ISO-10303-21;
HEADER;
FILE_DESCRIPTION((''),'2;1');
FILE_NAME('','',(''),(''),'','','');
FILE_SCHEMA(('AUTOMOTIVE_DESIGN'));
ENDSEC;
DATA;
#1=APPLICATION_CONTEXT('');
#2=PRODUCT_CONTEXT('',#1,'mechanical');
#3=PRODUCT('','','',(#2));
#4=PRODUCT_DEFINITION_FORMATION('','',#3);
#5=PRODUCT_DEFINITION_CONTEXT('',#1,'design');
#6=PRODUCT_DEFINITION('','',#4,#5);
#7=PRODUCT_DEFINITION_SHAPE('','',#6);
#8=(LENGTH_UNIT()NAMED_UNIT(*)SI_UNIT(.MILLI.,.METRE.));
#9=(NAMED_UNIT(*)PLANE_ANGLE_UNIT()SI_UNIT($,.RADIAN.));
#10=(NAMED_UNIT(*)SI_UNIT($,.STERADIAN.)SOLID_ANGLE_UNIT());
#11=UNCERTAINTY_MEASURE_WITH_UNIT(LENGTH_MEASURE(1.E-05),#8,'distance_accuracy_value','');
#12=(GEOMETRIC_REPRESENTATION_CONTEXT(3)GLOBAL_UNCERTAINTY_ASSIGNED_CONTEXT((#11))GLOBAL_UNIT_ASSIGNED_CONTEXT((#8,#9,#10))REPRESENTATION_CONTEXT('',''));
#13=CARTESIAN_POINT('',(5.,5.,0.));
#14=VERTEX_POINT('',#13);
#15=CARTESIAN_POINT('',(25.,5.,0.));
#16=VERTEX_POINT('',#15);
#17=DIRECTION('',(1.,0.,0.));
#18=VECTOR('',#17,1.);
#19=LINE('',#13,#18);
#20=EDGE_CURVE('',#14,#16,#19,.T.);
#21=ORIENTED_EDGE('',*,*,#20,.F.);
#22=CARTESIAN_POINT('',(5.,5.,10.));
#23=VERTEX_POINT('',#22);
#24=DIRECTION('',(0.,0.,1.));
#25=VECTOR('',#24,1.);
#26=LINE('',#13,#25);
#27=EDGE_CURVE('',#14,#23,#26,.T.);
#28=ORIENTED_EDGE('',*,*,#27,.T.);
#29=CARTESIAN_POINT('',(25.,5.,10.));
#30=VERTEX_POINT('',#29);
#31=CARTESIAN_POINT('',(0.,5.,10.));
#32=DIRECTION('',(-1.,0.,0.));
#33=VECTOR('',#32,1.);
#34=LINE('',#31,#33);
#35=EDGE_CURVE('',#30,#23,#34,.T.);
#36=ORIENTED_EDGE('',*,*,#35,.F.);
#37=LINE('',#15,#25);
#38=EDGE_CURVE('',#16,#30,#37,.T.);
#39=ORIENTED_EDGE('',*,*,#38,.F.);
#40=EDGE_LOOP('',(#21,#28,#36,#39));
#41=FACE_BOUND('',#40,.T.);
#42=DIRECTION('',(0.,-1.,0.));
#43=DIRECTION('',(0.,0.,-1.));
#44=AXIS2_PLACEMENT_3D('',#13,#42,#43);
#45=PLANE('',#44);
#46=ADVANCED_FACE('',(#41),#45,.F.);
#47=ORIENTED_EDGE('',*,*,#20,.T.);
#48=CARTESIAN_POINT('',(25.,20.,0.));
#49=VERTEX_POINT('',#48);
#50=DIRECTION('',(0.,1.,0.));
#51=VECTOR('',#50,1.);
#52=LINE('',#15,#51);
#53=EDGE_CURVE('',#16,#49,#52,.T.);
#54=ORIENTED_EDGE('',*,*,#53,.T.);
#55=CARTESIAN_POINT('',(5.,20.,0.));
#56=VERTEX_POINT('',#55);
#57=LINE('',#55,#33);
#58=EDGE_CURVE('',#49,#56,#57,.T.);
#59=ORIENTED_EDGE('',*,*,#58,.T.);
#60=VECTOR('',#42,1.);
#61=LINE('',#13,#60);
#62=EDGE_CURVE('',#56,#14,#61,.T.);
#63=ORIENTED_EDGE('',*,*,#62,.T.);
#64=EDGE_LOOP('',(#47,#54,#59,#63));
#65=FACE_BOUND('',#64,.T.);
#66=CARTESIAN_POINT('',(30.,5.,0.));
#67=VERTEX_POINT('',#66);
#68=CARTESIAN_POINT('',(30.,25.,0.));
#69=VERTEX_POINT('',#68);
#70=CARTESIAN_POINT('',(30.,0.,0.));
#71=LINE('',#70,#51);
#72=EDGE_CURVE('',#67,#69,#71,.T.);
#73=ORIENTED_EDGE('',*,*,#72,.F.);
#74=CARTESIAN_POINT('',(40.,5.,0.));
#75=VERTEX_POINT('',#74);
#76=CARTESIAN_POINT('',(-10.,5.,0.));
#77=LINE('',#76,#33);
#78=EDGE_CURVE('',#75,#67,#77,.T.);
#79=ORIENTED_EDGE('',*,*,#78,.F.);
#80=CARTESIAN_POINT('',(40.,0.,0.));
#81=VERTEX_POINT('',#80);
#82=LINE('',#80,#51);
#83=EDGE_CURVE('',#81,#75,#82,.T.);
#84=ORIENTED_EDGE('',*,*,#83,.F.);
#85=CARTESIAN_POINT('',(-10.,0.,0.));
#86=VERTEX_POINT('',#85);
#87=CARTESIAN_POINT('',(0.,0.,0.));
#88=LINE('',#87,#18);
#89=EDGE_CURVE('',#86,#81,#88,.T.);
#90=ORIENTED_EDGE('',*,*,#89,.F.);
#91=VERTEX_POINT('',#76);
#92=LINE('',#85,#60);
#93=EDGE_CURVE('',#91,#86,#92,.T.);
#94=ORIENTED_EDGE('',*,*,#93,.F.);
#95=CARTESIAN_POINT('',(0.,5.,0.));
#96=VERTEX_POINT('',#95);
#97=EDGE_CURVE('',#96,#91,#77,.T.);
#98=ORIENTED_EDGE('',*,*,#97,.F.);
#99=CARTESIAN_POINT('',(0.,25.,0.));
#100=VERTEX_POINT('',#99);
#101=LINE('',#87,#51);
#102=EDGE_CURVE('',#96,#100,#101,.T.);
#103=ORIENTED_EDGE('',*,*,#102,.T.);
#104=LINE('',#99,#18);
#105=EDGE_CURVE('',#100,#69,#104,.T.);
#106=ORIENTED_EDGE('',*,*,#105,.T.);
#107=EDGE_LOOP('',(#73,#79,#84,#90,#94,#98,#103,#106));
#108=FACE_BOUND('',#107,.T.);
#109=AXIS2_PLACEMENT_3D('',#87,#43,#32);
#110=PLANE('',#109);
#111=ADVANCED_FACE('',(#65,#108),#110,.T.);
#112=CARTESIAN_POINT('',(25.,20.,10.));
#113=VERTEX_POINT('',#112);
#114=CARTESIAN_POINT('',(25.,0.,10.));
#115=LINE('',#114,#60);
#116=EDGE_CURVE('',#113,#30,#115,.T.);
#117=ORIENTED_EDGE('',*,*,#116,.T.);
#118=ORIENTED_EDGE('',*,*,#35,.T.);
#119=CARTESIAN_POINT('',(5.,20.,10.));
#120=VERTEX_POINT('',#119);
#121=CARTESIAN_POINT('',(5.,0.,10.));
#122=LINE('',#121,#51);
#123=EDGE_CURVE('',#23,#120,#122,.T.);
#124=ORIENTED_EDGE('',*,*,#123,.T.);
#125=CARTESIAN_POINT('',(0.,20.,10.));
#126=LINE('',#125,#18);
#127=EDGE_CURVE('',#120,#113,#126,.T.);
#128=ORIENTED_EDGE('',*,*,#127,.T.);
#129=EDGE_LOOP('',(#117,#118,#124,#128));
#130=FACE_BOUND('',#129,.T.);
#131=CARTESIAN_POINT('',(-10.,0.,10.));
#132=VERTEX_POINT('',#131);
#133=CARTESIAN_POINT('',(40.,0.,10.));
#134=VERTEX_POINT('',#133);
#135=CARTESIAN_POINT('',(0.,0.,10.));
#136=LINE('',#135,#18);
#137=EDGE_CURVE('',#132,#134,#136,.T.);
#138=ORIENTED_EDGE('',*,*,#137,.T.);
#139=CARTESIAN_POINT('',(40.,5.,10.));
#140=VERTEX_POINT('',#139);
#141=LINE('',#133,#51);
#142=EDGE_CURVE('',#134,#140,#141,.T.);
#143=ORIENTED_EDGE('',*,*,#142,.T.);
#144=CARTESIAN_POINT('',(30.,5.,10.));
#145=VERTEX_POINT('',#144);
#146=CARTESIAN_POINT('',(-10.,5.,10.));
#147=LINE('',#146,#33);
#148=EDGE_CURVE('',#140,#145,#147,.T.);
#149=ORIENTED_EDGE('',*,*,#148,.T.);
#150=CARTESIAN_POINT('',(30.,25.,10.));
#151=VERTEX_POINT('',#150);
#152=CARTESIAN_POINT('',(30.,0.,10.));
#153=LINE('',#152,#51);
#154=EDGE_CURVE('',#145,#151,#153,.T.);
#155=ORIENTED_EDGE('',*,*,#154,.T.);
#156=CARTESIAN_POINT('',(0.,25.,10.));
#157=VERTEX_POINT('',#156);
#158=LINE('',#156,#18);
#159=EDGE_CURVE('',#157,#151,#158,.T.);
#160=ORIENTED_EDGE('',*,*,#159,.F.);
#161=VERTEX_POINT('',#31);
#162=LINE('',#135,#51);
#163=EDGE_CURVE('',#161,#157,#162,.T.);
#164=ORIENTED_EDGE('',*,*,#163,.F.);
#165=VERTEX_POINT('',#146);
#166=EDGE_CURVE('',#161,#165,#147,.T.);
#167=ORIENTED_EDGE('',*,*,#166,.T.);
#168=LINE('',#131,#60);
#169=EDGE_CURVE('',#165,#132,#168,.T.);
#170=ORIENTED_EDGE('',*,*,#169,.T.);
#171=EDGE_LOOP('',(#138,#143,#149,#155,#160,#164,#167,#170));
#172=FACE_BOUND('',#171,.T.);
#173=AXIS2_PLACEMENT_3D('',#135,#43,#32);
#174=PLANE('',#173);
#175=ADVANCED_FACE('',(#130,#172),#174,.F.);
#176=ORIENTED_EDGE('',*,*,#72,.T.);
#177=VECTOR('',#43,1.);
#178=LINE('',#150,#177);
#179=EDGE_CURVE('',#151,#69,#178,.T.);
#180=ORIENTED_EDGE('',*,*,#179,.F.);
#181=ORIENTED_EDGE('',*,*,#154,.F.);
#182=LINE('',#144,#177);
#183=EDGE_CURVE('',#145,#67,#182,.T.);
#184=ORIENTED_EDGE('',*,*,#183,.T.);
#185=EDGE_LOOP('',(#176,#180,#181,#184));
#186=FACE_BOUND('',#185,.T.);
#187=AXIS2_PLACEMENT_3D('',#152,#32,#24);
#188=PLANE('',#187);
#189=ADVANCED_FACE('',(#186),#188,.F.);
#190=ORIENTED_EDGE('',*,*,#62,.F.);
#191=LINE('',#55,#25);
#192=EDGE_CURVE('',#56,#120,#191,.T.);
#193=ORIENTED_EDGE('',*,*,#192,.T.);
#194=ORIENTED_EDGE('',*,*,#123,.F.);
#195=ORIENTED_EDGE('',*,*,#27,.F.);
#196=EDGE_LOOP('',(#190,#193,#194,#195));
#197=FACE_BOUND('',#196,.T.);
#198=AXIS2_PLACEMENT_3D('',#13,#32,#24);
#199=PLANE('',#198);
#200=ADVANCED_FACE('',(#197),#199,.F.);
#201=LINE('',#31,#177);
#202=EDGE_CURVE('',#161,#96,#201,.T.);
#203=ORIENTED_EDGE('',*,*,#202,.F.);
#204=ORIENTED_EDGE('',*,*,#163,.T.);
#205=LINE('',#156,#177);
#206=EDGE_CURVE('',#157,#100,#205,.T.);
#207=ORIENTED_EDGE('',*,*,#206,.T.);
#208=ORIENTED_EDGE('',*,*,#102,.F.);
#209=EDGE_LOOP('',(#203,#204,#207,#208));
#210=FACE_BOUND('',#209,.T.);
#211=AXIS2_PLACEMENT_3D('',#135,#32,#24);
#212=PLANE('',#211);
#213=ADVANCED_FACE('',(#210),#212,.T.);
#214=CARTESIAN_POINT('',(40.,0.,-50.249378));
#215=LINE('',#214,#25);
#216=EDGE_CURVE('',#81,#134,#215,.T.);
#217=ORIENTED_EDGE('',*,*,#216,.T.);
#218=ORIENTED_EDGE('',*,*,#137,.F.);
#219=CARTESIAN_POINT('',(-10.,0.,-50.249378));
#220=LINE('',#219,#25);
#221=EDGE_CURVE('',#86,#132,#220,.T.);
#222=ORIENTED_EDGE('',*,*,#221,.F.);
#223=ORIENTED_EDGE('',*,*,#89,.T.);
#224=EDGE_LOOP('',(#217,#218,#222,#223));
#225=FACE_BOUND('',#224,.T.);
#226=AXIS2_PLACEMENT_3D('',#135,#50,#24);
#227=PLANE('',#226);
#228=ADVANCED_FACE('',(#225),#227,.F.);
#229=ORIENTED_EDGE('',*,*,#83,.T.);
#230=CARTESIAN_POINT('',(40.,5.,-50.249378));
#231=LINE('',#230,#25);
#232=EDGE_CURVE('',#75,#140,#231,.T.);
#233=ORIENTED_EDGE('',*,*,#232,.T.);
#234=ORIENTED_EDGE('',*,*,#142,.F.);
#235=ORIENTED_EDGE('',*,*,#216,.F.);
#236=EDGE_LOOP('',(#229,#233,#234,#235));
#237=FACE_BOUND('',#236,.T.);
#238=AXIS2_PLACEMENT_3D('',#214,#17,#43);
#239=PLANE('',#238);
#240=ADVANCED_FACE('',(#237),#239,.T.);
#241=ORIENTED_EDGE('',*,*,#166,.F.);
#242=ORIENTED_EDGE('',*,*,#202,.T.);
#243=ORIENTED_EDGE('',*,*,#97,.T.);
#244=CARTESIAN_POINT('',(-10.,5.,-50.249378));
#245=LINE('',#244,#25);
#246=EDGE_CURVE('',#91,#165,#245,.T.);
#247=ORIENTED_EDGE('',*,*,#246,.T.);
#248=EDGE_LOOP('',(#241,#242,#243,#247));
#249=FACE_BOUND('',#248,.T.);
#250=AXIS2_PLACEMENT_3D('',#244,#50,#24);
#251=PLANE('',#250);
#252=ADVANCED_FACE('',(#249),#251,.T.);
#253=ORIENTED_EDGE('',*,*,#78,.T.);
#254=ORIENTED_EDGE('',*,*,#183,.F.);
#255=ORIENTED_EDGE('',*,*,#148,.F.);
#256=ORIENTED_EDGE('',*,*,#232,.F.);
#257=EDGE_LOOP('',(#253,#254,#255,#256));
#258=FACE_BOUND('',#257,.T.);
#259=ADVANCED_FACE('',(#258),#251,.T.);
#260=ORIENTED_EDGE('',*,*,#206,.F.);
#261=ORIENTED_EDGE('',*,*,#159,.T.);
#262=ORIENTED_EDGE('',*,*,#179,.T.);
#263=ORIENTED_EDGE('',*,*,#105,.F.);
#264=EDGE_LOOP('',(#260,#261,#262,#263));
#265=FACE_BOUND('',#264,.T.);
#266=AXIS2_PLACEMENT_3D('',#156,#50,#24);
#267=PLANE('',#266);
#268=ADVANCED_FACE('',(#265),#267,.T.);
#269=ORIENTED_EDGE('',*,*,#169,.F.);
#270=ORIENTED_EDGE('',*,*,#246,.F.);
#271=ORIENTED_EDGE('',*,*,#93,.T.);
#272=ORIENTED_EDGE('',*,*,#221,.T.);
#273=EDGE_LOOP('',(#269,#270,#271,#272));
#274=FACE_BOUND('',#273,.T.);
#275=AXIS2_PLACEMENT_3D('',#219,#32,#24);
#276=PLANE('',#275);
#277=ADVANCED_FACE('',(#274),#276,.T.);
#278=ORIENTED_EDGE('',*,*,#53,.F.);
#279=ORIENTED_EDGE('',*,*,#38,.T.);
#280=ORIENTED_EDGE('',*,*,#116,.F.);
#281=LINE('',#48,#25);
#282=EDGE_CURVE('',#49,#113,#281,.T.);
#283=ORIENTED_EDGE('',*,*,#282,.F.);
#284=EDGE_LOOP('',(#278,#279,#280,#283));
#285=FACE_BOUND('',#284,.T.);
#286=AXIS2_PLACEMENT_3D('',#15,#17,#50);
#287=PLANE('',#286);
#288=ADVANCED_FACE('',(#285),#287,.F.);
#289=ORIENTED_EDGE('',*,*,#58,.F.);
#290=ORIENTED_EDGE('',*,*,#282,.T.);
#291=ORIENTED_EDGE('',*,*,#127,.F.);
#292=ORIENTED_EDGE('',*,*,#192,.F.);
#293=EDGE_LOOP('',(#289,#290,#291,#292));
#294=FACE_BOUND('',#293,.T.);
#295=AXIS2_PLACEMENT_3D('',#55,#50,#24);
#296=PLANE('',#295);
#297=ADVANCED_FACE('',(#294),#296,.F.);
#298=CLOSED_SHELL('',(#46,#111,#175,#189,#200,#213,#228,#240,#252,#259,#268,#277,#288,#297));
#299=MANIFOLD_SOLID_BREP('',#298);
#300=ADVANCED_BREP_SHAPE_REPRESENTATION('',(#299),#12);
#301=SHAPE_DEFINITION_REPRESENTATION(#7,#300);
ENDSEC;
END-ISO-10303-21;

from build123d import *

# Parameters (mm, degrees)
SKETCH1_W               = 30
SKETCH1_H               = 25
BOSS_EXTRUDE1_DEPTH     = 10
SKETCH2_W               = 50
SKETCH2_H               = 5
BOSS_EXTRUDE2_DEPTH     = 10
CUT_EXTRUDE1_DEPTH      = 49.218253805
CUT_EXTRUDE1_DEPTH_BACK = 49.218253805
SKETCH3_W               = 20
SKETCH3_H               = 15


with BuildPart() as part:
    # Sketch1 → Boss-Extrude1 (new body)
    with BuildSketch(Plane.XY):
        with Locations((15, 12.5)):
            Rectangle(SKETCH1_W, SKETCH1_H)
    extrude(amount=BOSS_EXTRUDE1_DEPTH)

    # Sketch2 → Boss-Extrude2 (add)
    with BuildSketch(Plane.XY.offset(10)):
        with Locations((15, 2.5)):
            Rectangle(SKETCH2_W, SKETCH2_H)
    extrude(amount=-BOSS_EXTRUDE2_DEPTH)

    # Sketch3 → Cut-Extrude1 (cut, two sides: drawn at the far end of the back side and taken through both)
    with BuildSketch(Plane.XY.offset(10).offset(-CUT_EXTRUDE1_DEPTH_BACK)):
        with Locations((15, 12.5)):
            Rectangle(SKETCH3_W, SKETCH3_H)
    extrude(amount=CUT_EXTRUDE1_DEPTH + CUT_EXTRUDE1_DEPTH_BACK, mode=Mode.SUBTRACT)


solid = part.part
